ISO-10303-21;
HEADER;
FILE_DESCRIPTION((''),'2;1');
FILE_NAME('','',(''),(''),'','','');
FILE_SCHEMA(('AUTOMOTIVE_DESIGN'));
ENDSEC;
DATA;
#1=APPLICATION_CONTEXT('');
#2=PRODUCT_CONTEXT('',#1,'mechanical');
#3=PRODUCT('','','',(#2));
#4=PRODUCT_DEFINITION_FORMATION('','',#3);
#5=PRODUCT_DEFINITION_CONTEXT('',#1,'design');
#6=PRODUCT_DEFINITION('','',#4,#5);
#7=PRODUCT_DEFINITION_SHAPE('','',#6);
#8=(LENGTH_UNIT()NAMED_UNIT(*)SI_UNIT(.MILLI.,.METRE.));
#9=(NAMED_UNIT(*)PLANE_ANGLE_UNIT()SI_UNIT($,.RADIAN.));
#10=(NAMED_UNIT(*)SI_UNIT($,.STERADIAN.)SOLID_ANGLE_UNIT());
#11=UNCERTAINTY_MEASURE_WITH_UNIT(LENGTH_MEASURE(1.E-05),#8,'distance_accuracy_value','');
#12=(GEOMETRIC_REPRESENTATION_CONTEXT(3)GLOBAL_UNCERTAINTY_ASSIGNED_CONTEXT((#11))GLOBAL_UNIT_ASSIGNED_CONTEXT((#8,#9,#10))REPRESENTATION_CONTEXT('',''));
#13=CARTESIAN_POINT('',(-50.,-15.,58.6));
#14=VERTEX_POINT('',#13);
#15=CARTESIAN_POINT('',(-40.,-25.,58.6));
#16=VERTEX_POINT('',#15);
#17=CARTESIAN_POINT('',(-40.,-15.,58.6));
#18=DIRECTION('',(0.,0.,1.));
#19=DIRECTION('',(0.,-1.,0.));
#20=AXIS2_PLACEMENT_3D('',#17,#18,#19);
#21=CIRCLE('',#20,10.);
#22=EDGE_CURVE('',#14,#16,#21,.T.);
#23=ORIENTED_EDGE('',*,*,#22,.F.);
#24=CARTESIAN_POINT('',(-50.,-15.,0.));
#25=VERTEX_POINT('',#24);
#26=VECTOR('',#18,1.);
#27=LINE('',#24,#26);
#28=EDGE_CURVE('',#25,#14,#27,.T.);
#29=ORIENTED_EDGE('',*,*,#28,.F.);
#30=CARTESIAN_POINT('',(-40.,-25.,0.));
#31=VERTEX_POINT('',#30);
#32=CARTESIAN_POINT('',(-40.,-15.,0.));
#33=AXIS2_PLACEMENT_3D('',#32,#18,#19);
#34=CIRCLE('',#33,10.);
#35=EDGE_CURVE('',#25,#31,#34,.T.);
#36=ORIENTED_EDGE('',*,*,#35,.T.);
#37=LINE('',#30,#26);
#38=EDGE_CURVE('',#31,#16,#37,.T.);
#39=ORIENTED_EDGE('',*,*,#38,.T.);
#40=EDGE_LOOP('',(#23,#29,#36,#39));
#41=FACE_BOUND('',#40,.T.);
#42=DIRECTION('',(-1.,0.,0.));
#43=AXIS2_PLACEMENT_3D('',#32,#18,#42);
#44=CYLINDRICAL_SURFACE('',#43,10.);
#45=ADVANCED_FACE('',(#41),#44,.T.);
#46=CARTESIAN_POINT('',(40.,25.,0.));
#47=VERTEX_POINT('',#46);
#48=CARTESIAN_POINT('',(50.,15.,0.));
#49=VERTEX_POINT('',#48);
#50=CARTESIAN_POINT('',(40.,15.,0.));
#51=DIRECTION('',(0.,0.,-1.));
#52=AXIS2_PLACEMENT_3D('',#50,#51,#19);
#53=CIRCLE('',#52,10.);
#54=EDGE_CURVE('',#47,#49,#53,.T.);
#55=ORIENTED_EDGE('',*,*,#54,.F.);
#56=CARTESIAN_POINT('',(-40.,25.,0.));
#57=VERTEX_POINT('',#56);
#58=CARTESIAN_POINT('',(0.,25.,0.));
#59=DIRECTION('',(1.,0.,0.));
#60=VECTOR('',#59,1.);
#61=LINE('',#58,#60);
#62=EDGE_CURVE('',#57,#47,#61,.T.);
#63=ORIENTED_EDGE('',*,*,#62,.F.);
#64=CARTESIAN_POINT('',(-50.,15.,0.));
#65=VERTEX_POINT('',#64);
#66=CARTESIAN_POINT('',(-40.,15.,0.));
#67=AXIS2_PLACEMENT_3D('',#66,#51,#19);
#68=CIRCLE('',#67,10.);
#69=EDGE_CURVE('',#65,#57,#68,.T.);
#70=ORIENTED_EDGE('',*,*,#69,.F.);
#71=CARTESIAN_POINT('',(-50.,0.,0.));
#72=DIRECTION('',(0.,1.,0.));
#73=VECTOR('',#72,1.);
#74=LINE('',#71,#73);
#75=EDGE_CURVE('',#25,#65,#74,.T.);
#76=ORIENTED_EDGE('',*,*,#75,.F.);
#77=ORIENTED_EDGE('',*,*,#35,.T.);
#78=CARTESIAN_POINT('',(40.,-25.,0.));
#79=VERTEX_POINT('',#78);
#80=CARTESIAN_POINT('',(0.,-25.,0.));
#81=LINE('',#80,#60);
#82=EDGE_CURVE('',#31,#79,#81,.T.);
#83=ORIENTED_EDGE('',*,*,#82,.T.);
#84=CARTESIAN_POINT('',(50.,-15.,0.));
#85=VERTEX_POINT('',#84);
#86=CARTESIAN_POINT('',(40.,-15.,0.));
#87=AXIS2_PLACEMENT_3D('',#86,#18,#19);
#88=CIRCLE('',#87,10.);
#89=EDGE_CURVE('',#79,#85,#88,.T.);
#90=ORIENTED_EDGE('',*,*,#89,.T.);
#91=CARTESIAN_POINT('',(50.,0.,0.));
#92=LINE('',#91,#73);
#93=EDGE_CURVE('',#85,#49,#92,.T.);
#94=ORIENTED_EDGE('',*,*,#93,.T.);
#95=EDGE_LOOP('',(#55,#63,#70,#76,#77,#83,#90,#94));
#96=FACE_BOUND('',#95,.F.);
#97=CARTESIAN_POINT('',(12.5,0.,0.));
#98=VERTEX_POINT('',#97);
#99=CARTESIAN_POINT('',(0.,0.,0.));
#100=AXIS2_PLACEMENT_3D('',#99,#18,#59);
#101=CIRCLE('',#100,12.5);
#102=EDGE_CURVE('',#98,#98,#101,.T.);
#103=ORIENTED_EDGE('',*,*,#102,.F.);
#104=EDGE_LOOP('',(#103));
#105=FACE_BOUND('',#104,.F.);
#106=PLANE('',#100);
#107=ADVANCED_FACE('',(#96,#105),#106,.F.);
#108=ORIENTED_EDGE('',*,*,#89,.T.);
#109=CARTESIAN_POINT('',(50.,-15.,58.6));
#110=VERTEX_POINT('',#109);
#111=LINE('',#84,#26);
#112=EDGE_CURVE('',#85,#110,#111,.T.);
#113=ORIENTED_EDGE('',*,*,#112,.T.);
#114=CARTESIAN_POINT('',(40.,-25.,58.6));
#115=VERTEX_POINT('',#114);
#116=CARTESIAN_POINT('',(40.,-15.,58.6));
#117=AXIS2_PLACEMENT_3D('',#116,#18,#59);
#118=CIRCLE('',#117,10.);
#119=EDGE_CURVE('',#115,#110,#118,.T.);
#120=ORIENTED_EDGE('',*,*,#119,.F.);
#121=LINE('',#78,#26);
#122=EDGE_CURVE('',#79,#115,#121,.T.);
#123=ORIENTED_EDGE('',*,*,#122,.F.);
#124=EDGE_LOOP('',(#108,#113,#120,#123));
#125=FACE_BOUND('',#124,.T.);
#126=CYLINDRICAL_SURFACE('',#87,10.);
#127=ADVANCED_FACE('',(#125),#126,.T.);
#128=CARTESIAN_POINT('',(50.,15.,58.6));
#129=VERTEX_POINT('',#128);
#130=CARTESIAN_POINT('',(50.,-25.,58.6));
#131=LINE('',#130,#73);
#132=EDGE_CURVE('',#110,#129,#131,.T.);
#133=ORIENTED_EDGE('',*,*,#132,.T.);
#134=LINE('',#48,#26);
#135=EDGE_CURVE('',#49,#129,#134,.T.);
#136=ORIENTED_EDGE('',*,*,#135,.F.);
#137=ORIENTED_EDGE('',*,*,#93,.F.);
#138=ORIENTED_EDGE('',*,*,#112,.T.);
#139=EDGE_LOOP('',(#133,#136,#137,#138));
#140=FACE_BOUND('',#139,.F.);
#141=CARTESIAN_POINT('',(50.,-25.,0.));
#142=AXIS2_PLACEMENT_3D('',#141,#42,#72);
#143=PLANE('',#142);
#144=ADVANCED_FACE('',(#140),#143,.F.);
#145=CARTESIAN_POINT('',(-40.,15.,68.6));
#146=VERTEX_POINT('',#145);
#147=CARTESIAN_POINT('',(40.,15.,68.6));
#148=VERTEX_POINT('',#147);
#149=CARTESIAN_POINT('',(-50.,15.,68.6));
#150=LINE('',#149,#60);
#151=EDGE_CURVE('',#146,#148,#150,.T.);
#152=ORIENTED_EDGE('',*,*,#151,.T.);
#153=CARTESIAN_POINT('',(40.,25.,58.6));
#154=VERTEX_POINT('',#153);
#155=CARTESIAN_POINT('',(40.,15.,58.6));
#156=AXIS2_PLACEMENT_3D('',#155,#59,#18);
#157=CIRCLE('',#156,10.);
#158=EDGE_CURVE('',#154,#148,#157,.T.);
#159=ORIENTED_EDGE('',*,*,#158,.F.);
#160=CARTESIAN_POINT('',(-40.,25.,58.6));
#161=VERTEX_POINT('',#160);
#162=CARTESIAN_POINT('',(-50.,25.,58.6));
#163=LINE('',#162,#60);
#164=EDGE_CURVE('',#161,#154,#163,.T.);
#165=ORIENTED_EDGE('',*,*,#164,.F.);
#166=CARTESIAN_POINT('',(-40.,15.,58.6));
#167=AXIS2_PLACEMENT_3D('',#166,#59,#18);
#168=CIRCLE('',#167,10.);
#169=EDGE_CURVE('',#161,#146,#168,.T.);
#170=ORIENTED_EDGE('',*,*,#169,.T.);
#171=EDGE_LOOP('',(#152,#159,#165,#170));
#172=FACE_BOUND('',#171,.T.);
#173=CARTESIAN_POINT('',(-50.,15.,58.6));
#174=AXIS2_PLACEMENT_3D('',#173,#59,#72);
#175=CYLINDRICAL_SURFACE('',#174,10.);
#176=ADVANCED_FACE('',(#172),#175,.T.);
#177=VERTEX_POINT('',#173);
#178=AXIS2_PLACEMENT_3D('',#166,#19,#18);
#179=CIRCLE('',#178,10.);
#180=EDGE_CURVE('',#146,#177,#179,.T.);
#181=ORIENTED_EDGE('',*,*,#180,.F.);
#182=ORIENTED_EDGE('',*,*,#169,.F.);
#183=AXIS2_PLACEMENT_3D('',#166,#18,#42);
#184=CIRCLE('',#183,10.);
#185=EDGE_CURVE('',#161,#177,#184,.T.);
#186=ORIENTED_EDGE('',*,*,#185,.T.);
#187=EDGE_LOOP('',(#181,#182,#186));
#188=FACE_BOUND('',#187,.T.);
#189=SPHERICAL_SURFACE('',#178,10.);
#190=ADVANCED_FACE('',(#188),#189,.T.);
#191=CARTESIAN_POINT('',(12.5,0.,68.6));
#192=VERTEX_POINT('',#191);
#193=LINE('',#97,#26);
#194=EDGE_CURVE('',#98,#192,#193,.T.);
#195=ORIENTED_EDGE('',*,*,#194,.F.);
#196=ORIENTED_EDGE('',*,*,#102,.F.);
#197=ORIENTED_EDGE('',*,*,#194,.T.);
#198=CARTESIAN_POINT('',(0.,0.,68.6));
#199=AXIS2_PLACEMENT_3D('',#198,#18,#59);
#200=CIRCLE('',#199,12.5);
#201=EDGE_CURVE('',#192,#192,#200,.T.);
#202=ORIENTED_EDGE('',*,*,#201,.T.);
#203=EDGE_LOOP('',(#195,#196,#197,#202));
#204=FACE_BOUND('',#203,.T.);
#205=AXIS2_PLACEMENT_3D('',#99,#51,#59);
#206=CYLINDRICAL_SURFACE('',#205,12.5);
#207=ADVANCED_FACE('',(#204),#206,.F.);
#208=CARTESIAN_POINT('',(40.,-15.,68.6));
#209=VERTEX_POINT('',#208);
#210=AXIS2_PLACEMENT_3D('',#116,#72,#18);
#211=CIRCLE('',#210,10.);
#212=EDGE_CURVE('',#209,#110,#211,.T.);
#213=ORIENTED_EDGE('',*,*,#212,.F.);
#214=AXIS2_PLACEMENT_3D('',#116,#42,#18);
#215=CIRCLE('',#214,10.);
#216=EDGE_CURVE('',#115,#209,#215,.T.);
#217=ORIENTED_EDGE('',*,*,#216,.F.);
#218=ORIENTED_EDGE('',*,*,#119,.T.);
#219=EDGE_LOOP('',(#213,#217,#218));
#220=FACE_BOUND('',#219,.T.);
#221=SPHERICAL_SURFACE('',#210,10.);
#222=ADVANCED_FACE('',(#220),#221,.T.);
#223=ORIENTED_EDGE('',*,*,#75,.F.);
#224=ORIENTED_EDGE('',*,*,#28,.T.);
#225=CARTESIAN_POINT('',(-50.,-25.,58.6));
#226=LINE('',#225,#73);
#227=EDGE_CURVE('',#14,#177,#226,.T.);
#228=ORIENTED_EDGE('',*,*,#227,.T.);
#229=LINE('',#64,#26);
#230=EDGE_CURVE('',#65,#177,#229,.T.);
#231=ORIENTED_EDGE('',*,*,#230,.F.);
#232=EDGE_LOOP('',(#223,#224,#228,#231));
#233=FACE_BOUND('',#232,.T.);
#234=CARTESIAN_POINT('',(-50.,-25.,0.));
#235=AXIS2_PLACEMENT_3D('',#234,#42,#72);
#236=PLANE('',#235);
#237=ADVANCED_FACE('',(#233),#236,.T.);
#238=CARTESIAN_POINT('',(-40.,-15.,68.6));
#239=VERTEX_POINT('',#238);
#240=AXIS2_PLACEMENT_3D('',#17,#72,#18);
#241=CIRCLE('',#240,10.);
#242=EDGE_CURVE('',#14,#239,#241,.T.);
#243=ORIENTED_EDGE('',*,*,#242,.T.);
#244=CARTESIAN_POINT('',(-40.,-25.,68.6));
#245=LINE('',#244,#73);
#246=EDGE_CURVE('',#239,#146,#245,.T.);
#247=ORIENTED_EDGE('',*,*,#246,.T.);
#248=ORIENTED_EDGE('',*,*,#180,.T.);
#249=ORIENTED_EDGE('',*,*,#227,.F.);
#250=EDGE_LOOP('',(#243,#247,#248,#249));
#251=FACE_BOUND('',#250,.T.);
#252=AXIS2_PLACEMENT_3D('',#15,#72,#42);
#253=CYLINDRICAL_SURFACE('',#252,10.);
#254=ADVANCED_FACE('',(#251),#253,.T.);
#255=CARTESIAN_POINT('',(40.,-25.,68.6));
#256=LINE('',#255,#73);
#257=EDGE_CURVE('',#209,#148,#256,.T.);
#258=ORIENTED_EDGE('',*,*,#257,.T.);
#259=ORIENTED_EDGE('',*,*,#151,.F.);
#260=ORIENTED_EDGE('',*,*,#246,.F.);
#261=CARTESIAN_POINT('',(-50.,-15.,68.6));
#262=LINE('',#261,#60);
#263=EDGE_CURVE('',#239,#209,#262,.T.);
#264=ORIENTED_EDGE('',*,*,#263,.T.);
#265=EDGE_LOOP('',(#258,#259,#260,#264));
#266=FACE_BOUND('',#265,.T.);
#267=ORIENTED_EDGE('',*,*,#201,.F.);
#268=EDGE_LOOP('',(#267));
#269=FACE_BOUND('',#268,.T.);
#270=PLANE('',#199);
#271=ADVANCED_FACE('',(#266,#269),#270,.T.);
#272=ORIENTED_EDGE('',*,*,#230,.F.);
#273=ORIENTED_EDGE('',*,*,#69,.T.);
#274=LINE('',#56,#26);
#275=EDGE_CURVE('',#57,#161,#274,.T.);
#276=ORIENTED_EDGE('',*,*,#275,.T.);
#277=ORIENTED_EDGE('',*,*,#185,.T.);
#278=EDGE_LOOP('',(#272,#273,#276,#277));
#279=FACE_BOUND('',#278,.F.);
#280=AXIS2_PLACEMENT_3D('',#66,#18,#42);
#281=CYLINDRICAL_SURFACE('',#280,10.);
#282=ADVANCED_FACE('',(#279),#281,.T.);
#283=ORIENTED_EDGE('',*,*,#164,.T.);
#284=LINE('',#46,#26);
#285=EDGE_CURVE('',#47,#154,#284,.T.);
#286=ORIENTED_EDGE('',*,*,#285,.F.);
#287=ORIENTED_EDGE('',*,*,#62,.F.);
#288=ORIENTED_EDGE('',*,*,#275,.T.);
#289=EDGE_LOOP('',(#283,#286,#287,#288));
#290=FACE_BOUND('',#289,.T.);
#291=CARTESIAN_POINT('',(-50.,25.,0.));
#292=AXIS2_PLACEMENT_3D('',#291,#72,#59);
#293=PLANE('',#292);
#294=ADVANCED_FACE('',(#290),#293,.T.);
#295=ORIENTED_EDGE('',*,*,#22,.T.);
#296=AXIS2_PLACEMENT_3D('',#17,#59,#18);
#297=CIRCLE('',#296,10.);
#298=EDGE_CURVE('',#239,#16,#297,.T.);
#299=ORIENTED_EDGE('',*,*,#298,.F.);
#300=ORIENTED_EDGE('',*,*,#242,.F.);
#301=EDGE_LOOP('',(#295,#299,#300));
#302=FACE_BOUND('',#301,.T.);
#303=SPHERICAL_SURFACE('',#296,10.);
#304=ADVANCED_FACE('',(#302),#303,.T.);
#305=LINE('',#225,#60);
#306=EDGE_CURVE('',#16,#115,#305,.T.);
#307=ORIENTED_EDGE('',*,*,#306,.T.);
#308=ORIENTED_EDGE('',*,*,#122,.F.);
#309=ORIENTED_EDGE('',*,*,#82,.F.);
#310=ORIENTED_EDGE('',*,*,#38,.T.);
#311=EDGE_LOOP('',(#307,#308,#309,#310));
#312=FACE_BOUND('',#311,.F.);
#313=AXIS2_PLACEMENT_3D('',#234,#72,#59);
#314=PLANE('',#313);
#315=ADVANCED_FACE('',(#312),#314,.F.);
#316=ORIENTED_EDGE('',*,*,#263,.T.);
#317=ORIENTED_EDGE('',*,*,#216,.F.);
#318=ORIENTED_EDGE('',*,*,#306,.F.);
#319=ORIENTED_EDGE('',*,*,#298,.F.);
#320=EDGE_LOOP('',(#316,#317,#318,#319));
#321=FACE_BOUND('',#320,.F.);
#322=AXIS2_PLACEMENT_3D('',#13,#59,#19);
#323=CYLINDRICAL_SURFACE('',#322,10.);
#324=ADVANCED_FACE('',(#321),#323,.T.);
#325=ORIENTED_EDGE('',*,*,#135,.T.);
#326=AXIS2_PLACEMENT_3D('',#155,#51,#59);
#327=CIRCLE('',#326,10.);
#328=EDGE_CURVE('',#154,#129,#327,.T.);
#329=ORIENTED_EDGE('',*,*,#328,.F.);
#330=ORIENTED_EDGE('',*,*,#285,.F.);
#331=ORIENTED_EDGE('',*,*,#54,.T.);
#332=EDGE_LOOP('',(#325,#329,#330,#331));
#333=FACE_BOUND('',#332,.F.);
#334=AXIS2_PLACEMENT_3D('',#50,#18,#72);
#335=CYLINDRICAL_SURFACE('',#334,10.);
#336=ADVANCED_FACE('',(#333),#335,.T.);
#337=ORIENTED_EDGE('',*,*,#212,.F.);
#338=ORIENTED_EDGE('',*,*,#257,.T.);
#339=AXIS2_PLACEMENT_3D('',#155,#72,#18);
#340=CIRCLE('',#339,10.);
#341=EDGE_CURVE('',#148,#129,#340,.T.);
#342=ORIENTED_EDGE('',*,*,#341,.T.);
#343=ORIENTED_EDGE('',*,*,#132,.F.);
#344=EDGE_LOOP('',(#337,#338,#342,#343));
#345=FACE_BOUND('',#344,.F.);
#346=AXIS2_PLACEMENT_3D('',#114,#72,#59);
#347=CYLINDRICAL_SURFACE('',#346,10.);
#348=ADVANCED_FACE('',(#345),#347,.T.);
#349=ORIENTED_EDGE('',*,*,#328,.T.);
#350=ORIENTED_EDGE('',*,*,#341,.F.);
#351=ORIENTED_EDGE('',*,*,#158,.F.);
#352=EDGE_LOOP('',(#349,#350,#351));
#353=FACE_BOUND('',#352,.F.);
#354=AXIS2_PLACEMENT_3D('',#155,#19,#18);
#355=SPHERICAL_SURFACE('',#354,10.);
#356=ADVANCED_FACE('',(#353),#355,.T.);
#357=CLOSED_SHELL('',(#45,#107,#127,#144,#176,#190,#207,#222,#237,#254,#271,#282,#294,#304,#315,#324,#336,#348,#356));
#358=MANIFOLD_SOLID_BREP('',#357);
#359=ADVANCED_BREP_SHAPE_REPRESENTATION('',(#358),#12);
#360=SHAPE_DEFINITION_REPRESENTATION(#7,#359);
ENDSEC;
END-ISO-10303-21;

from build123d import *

# Parameters (mm, degrees)
F0_W     = 100
F0_H     = 50
F0_R     = 12.5
F1_DEPTH = 68.6
F2_R     = 10


with BuildPart() as f1:
    # F0 (on Top) → F1 (new body)
    with BuildSketch(Plane.XY):
        Rectangle(F0_W, F0_H)
        Circle(F0_R, mode=Mode.SUBTRACT)
    extrude(amount=F1_DEPTH)

    # F2
    f2_edges = [f1.edges().sort_by_distance(p)[0] for p in [
        (50, 0, 68.6),
        (0, -25, 68.6),
        (-50, 0, 68.6),
        (0, 25, 68.6),
        (50, 25, 34.3),
        (50, -25, 34.3),
        (-50, -25, 34.3),
        (-50, 25, 34.3),
    ]]
    fillet(f2_edges, radius=F2_R)


solid = f1.part
